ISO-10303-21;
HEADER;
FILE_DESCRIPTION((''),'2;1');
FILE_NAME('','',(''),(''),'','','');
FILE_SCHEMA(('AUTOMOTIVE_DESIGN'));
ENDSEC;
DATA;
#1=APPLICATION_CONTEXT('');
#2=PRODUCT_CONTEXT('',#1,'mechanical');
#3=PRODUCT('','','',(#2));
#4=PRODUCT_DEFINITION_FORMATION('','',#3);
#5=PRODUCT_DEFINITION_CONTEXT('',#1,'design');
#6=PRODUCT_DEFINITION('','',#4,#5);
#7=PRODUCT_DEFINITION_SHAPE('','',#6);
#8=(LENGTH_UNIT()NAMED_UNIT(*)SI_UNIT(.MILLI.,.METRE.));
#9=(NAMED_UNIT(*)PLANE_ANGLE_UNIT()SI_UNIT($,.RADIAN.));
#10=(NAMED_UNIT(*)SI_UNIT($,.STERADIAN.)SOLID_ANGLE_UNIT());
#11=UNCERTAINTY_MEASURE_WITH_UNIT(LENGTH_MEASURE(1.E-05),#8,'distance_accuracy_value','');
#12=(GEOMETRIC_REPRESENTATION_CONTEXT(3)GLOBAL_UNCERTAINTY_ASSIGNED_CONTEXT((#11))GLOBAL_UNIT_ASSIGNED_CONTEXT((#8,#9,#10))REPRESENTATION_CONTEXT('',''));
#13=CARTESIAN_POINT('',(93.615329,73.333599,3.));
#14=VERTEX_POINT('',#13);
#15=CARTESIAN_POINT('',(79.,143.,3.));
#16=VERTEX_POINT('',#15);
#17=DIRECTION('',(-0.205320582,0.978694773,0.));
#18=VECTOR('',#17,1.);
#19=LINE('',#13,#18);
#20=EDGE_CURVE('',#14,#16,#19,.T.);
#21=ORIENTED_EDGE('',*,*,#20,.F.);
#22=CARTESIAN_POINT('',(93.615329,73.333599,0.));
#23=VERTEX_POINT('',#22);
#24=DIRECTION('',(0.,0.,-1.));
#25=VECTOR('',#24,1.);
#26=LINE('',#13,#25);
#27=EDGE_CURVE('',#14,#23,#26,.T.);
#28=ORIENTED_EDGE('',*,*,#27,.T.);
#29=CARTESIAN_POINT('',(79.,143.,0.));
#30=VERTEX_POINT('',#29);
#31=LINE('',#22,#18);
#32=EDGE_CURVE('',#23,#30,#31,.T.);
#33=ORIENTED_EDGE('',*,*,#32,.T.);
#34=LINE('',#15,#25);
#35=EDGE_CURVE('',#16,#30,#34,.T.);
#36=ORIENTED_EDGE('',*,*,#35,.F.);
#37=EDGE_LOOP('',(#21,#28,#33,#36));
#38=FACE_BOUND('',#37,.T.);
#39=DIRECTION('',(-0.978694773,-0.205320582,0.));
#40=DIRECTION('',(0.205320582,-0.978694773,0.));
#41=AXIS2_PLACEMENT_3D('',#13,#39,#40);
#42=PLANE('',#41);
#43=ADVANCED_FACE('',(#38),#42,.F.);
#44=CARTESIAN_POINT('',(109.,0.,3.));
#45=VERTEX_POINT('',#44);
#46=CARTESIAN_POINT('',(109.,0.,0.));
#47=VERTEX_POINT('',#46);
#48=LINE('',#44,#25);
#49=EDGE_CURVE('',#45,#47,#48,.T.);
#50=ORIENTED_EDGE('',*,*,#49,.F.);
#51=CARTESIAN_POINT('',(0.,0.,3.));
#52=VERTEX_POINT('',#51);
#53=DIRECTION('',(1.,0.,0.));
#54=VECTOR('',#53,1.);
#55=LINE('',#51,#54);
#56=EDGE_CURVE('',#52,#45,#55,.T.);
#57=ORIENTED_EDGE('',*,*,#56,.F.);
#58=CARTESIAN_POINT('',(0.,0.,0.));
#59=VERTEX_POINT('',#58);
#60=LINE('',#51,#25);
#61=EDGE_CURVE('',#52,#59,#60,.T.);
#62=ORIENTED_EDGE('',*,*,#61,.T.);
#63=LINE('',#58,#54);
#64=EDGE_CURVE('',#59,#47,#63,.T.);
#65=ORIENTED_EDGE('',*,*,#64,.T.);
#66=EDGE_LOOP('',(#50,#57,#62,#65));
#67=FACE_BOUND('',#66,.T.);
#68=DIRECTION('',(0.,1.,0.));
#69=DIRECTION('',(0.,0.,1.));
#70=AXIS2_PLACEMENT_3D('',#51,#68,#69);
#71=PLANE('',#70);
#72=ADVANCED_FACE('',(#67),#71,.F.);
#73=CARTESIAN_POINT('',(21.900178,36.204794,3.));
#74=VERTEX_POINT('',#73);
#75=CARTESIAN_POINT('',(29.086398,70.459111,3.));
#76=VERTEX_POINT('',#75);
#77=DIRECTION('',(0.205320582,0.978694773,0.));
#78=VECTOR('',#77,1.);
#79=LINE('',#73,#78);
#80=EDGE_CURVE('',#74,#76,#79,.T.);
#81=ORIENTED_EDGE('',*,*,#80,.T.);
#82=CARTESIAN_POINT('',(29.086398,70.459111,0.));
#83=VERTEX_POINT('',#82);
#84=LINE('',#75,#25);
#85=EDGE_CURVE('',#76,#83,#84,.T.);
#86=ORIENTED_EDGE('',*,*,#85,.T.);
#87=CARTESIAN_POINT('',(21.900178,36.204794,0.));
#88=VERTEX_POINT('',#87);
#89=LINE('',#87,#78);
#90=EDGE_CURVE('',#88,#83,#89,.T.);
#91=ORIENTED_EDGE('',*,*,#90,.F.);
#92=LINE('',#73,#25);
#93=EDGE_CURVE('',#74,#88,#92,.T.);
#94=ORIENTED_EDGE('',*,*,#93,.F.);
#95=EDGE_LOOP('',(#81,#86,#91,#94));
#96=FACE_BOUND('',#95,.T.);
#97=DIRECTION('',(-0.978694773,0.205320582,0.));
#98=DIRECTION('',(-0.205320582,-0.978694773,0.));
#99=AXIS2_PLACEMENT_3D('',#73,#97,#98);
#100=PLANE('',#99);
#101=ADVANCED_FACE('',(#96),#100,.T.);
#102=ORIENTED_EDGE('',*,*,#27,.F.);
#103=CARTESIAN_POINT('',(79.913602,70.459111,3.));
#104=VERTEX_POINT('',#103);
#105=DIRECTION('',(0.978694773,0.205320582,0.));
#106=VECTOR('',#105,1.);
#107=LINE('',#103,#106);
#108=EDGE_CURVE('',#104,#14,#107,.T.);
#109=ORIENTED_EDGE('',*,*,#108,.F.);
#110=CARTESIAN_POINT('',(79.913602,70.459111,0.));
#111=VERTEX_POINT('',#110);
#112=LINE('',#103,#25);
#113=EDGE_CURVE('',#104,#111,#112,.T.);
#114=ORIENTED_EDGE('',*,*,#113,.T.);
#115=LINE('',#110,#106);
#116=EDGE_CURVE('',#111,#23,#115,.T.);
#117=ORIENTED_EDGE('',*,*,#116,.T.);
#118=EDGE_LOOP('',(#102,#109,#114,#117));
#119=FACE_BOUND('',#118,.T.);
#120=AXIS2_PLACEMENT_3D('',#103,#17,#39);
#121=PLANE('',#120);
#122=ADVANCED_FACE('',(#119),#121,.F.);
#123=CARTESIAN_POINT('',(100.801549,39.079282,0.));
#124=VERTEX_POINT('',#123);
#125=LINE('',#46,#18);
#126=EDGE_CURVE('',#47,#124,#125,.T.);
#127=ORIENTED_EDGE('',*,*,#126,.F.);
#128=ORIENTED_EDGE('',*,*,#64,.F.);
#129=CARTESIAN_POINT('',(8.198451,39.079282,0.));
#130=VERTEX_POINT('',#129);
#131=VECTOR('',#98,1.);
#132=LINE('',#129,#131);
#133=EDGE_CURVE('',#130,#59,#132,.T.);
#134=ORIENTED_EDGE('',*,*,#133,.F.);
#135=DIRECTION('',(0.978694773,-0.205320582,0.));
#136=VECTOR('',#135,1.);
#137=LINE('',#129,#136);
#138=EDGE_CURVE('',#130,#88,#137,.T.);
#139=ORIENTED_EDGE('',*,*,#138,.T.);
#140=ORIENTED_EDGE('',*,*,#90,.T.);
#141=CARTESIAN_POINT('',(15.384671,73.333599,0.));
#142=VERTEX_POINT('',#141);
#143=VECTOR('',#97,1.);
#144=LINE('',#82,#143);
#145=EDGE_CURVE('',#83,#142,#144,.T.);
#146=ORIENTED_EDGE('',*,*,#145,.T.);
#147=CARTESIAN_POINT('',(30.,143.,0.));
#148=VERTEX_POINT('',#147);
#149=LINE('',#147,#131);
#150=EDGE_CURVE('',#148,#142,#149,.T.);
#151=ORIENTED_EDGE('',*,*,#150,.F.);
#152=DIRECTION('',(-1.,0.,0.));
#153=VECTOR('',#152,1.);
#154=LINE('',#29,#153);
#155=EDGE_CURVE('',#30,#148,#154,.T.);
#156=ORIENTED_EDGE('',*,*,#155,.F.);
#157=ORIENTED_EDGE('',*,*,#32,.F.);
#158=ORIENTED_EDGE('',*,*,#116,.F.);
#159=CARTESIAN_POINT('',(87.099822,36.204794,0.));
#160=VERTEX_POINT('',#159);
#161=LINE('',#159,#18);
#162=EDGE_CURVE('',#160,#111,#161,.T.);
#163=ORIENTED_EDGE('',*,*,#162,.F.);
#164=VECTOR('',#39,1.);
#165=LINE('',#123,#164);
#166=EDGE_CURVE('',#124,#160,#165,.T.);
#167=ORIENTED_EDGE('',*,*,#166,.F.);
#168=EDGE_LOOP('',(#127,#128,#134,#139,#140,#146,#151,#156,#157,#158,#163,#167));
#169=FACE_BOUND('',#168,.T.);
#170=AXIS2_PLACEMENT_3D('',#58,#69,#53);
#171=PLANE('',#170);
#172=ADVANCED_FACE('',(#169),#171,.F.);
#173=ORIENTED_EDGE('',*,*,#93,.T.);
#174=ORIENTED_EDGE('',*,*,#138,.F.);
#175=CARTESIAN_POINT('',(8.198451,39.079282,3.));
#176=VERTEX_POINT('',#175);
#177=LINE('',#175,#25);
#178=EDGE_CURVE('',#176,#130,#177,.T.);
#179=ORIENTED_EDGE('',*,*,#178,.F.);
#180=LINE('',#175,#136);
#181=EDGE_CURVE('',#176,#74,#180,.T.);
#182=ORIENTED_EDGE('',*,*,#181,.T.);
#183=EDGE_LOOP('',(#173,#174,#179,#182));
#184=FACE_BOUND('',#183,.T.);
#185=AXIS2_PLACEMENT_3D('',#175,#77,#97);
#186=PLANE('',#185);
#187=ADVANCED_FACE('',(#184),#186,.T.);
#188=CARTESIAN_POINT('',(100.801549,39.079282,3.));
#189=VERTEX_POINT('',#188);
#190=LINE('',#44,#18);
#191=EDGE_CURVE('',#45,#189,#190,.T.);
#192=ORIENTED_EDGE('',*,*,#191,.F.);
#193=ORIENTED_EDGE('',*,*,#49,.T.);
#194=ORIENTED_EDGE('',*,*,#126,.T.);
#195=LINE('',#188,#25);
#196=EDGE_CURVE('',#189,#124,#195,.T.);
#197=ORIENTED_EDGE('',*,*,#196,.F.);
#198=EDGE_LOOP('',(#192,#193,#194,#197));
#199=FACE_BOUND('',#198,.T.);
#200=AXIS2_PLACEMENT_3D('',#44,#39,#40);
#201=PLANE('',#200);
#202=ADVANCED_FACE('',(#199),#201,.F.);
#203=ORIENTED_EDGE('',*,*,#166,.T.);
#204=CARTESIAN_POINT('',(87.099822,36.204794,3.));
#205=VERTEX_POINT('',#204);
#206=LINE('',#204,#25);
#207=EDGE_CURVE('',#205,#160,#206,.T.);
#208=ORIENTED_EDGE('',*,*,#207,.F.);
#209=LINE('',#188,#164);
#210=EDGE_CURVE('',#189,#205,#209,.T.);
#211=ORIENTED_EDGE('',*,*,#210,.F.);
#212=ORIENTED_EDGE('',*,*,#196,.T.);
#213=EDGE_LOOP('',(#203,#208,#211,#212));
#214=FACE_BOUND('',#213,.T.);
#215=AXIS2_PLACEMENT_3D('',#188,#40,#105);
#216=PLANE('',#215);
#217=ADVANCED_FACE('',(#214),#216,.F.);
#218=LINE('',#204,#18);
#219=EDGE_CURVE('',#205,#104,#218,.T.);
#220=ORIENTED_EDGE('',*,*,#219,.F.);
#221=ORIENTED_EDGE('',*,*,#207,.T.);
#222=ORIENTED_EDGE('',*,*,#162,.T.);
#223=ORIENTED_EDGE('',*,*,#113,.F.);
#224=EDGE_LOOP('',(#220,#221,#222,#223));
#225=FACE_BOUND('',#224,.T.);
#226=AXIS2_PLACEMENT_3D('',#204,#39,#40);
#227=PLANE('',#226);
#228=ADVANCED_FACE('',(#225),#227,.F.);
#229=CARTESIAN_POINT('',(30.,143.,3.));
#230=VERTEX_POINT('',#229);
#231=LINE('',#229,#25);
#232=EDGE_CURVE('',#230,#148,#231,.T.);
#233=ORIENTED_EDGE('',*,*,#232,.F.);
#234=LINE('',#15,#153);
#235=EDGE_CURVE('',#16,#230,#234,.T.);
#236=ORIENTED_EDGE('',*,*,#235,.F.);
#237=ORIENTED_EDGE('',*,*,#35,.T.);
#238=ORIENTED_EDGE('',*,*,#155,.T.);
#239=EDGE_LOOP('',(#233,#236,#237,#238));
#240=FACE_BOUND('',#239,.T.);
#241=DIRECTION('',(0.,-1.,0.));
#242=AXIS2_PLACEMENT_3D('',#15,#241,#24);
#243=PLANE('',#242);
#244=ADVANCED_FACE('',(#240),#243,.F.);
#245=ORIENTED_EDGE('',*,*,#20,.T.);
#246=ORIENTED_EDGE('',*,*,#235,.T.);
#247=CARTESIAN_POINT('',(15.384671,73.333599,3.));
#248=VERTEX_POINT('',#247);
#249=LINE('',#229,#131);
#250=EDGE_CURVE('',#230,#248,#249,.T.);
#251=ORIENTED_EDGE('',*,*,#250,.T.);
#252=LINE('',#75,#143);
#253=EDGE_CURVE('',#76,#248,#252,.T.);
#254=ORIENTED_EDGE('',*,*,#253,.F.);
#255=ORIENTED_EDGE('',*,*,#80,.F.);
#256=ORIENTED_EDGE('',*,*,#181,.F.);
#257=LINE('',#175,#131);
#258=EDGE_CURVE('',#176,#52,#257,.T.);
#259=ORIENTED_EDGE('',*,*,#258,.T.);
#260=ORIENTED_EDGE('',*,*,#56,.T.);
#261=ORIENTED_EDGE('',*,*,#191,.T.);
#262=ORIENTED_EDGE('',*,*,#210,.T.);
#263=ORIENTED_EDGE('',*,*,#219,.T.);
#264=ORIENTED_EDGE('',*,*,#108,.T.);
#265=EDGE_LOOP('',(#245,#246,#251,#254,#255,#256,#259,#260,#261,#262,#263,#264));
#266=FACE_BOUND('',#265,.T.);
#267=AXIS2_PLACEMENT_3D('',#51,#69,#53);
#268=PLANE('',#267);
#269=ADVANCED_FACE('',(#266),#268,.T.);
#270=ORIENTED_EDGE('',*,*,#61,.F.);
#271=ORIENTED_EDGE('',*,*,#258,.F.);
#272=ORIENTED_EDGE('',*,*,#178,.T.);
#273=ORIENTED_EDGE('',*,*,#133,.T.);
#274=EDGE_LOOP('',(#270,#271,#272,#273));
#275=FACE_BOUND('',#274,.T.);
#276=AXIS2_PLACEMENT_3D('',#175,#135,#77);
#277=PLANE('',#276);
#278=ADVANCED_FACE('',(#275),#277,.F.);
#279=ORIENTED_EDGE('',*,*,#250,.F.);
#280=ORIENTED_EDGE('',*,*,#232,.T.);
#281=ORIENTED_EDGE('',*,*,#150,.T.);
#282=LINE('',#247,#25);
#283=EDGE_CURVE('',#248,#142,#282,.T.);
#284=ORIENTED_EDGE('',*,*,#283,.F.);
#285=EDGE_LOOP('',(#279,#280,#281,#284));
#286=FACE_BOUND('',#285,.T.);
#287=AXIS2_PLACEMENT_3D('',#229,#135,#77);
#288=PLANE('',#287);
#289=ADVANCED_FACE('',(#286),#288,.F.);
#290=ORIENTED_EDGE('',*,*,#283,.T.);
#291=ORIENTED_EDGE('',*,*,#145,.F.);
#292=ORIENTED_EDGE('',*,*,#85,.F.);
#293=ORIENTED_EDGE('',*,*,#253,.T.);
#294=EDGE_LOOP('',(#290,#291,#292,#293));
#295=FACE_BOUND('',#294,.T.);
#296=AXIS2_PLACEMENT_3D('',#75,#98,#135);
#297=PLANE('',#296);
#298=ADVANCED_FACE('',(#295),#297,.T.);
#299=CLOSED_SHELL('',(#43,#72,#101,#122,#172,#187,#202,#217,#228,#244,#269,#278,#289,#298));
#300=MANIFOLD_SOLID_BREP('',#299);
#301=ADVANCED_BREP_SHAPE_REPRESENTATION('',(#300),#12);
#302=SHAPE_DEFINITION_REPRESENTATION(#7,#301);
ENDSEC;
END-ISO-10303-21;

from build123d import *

# Parameters (mm, degrees)
BOSS_EXTRUDE1_DEPTH = 3


with BuildPart() as part:
    # Sketch1 → Boss-Extrude1 (new body)
    with BuildSketch(Plane.XY):
        Polygon((0, 0), (109, 0), (100.801549171, 39.079282286), (87.099822349, 36.204794142), (79.913601987, 70.459111197), (93.61532881, 73.333599341), (79, 143), (30, 143), (15.38467119, 73.333599341), (29.086398013, 70.459111197), (21.900177651, 36.204794142), (8.198450829, 39.079282286), align=None)
    extrude(amount=BOSS_EXTRUDE1_DEPTH)


solid = part.part
